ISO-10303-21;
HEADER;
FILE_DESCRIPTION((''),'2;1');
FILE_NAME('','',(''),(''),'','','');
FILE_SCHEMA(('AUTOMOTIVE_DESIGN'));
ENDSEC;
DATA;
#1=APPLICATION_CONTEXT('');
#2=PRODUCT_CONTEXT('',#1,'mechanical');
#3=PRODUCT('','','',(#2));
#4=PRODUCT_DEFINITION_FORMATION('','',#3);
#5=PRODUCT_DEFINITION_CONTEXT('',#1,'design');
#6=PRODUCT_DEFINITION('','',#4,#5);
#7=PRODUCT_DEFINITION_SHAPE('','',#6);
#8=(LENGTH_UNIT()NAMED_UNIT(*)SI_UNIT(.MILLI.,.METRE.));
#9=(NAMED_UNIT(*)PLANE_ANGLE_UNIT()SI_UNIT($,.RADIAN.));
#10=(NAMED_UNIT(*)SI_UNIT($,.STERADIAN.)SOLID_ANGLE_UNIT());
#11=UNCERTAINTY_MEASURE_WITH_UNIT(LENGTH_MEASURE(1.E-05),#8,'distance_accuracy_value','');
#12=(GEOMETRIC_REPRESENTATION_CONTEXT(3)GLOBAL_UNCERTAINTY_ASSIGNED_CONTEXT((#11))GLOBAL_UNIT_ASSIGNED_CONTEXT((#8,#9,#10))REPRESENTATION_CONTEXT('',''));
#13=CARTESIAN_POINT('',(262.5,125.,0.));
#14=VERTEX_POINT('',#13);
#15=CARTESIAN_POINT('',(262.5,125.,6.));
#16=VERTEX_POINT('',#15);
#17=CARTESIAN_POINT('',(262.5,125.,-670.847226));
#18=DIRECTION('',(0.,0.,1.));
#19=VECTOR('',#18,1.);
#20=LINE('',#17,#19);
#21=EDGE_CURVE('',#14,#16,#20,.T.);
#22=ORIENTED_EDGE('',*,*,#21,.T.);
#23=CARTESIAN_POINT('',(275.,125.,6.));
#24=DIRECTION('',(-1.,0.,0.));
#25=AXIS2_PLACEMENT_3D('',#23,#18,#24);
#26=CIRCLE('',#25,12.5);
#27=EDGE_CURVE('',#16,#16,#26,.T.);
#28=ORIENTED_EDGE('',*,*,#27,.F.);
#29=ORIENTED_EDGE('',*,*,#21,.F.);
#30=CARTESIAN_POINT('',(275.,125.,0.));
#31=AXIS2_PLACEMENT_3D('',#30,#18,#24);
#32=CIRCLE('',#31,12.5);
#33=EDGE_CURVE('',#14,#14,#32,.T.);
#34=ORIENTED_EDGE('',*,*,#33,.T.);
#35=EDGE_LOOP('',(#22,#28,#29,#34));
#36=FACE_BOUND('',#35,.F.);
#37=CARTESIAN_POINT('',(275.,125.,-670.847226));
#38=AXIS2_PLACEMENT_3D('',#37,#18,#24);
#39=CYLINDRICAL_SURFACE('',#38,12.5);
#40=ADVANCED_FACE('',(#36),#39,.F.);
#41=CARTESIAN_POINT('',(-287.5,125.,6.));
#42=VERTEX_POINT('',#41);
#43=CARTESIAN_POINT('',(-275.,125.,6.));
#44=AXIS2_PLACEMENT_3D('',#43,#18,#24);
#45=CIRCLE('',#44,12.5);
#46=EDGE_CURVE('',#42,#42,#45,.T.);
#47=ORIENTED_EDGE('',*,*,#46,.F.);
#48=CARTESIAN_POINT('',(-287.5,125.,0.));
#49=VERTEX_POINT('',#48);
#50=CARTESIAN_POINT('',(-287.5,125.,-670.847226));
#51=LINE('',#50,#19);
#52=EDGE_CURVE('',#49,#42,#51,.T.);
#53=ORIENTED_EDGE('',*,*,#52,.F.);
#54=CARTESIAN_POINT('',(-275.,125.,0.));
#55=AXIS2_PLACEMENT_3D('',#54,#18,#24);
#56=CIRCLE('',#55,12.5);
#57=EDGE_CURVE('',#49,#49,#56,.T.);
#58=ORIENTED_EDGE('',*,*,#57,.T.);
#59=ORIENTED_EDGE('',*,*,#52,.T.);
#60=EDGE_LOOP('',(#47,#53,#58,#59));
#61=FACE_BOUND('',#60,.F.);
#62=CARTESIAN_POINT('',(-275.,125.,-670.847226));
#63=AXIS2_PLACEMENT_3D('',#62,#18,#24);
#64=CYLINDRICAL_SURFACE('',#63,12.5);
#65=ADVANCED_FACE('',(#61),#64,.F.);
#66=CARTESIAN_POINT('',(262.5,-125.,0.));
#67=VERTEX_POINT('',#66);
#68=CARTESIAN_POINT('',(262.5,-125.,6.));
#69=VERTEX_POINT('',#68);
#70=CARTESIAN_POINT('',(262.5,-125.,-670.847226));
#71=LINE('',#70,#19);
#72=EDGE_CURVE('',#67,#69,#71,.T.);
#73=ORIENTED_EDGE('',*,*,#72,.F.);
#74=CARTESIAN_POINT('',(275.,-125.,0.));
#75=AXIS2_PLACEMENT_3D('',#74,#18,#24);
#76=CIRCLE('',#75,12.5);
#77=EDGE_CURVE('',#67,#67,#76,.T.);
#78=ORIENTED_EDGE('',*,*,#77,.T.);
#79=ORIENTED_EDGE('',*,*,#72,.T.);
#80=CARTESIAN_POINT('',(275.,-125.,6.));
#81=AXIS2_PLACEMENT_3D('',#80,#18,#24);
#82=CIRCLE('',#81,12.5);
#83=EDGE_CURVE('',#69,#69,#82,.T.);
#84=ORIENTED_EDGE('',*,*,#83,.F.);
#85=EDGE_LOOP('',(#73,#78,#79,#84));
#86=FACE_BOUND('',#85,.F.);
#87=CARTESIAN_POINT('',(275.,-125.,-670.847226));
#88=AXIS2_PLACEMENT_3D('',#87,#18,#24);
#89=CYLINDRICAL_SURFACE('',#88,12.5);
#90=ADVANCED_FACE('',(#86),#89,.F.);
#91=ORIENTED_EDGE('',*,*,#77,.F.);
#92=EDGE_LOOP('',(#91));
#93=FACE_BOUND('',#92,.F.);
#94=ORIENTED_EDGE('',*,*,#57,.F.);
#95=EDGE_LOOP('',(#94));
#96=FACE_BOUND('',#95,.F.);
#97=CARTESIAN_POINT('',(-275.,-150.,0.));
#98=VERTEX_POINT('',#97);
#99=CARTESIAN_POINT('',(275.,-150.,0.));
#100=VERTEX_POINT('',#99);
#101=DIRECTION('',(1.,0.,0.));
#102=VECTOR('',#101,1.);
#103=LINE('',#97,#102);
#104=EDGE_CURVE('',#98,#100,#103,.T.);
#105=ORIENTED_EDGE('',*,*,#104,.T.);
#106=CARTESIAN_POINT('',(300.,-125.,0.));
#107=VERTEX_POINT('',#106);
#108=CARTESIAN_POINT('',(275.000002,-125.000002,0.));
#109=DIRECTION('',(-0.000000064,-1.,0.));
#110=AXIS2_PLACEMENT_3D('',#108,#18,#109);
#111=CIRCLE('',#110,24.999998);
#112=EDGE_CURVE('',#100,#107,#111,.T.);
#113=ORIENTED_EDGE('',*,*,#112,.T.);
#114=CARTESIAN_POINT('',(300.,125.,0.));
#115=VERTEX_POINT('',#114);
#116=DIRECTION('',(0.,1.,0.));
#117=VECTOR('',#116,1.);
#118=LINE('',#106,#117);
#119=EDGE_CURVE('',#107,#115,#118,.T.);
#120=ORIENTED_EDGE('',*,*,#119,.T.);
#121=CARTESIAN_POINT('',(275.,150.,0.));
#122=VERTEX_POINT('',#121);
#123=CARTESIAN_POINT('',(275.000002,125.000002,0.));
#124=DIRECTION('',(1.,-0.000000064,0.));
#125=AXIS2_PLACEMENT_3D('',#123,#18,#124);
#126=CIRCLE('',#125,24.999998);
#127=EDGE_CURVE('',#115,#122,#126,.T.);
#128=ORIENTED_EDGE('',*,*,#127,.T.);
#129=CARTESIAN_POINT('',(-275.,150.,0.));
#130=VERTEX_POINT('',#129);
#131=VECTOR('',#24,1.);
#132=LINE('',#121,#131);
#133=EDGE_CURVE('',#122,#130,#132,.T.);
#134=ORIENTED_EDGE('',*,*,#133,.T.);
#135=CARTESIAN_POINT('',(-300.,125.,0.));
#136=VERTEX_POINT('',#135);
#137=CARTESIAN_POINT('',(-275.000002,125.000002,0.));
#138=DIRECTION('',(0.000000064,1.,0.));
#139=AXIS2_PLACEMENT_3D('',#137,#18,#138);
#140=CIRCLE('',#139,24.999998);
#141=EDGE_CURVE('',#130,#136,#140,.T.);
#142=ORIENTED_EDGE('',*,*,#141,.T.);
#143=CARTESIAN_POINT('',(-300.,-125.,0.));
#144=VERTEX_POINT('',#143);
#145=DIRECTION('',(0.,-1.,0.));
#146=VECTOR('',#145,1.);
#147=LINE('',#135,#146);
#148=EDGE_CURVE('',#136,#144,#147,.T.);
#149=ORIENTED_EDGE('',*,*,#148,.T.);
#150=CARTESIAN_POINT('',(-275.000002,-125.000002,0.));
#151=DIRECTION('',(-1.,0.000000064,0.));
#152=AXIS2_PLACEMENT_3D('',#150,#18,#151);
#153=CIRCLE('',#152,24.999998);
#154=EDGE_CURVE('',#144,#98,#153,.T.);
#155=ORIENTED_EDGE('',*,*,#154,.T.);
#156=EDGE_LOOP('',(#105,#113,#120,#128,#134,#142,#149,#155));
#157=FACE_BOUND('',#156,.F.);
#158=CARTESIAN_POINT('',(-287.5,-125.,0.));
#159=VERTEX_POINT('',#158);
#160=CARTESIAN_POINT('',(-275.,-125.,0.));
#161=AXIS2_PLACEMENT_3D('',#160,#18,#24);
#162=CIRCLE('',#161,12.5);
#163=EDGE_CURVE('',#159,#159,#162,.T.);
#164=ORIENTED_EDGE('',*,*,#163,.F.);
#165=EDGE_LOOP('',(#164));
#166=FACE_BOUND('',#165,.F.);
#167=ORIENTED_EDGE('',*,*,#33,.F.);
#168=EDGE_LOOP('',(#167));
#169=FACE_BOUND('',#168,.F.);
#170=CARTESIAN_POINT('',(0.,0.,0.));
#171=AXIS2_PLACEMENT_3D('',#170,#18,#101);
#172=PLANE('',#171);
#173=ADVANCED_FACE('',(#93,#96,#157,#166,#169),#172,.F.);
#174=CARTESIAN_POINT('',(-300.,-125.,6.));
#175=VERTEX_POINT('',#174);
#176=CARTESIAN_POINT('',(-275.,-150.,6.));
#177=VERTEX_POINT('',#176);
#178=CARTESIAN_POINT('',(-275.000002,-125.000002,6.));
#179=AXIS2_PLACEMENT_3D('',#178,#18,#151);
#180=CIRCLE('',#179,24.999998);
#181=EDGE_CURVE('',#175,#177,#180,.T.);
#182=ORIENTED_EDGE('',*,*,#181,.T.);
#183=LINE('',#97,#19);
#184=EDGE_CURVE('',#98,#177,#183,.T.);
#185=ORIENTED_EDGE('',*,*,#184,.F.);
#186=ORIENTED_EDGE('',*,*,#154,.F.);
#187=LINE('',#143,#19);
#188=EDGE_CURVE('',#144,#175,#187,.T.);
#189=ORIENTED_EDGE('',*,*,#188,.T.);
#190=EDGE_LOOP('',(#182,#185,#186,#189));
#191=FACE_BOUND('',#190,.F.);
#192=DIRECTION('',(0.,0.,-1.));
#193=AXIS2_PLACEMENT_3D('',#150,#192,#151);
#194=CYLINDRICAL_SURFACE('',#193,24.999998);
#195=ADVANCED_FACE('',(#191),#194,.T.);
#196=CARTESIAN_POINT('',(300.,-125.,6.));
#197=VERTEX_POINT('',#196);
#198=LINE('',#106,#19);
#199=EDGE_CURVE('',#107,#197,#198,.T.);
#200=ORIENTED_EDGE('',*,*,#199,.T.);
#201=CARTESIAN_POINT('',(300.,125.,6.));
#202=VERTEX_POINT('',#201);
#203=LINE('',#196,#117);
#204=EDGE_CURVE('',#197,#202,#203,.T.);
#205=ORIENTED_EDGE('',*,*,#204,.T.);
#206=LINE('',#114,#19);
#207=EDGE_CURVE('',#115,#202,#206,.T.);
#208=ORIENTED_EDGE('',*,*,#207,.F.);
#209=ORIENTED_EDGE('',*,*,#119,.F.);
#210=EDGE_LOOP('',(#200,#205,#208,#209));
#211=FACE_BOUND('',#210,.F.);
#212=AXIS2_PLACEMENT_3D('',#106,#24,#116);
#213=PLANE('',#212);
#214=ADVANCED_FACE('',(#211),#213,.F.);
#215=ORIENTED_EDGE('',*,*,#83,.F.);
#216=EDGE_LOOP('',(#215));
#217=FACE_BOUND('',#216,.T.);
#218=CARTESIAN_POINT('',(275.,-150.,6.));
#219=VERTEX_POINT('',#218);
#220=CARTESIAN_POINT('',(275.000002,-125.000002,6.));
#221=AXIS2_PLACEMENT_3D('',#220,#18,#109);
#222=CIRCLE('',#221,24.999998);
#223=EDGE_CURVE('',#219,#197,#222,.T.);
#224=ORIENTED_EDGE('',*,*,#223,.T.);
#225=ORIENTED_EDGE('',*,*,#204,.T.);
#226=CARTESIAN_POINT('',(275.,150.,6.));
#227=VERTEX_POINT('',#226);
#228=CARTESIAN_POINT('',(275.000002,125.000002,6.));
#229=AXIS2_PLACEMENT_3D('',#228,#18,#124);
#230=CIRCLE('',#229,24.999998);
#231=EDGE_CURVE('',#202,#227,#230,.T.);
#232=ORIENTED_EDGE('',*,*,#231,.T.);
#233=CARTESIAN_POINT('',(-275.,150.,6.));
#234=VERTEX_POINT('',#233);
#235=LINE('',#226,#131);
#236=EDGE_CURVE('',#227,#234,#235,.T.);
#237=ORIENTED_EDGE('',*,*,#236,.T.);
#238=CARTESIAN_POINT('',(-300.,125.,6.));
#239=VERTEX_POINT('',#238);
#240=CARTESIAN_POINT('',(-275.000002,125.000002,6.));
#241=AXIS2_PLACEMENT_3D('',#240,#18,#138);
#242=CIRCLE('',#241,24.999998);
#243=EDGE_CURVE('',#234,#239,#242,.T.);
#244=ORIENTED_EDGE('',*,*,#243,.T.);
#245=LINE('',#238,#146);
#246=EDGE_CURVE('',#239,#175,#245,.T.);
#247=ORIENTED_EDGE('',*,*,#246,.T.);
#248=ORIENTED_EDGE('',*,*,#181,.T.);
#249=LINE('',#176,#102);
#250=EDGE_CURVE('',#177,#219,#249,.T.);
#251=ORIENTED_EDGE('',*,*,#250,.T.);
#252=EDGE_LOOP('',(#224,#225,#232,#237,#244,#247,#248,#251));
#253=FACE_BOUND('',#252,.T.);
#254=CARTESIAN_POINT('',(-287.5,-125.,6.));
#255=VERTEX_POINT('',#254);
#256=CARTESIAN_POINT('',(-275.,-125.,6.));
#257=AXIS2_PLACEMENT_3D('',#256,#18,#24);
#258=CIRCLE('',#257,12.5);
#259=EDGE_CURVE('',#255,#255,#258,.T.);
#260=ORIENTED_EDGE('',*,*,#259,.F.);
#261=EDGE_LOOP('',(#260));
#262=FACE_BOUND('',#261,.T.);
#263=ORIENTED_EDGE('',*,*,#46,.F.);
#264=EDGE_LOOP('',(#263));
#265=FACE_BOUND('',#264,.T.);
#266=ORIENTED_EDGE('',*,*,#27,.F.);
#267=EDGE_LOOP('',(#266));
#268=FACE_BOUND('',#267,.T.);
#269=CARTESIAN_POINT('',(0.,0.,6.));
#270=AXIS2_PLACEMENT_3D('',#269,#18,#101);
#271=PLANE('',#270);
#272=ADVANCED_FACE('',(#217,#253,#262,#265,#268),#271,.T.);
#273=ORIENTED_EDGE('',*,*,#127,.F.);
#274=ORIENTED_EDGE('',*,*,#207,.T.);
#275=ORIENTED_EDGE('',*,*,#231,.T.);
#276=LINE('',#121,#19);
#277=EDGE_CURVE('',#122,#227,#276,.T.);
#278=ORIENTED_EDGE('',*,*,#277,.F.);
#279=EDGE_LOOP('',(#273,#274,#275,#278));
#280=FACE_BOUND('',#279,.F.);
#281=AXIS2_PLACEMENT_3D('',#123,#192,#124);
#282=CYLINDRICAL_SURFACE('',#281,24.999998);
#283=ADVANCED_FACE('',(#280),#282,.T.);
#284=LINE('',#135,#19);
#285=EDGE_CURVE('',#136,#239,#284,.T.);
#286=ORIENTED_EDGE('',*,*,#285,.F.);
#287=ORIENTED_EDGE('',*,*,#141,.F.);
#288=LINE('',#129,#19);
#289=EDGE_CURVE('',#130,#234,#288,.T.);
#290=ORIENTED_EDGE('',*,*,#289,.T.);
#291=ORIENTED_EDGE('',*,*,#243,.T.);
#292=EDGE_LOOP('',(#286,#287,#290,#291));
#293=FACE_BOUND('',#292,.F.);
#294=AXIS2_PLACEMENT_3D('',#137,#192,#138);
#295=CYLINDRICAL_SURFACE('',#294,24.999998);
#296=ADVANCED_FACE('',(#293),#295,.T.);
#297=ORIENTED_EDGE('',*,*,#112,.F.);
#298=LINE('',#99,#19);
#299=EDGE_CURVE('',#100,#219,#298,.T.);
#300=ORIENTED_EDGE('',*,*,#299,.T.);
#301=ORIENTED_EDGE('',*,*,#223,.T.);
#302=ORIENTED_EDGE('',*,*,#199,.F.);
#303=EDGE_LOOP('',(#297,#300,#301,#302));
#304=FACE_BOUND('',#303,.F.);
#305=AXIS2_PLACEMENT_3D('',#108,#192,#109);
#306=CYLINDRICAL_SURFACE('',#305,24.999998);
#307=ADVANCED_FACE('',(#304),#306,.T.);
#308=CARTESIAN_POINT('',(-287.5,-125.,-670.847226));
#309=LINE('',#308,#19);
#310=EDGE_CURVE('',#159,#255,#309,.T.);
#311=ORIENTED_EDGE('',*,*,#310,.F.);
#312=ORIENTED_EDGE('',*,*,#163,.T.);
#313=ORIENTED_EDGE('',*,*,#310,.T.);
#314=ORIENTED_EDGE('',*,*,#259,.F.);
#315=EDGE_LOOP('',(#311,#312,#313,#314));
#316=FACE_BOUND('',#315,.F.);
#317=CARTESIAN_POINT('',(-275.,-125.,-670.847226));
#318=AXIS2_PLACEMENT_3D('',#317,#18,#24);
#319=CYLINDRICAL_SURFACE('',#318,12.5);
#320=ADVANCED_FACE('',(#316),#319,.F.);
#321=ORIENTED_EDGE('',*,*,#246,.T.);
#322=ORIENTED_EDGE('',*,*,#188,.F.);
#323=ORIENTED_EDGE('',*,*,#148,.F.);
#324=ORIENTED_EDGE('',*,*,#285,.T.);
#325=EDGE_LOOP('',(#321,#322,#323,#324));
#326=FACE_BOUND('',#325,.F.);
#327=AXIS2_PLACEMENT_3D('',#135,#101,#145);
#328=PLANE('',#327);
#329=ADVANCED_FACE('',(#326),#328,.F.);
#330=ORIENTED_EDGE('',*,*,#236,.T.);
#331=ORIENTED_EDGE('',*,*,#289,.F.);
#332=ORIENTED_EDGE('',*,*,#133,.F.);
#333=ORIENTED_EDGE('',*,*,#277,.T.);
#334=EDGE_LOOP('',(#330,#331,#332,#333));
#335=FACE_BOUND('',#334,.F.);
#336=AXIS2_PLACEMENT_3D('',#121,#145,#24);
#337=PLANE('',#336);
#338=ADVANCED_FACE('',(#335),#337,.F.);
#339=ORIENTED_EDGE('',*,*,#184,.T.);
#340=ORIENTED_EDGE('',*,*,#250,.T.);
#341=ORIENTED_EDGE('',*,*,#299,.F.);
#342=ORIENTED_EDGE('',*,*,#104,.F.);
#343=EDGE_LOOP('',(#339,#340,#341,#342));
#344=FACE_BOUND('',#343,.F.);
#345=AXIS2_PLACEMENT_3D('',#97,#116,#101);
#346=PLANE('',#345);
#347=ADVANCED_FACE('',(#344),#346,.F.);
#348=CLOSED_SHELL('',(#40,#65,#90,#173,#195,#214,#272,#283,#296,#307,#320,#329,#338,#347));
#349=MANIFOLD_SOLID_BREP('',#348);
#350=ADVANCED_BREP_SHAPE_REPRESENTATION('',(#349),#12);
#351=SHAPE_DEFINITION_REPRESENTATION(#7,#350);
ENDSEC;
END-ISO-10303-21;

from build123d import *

# Parameters (mm, degrees)
F1_DEPTH = 6
F2_D     = 25
F3_D     = 25
F4_D     = 25


with BuildPart() as f1:
    # F0 (on Top) → F1 (new body)
    with BuildSketch(Plane.XY):
        with BuildLine():
            Line((-275, -150), (275, -150))
            ThreePointArc((275, -150), (292.67767, -142.67767), (300, -125))
            Line((300, -125), (300, 125))
            ThreePointArc((300, 125), (292.67767, 142.67767), (275, 150))
            Line((275, 150), (-275, 150))
            ThreePointArc((-275, 150), (-292.67767, 142.67767), (-300, 125))
            Line((-300, 125), (-300, -125))
            ThreePointArc((-300, -125), (-292.67767, -142.67767), (-275, -150))
        make_face()
    extrude(amount=F1_DEPTH)

    # F2 (through all)
    with Locations(Plane(origin=(0, 0, 0), x_dir=(1, 0, 0), z_dir=(0, 0, -1))):
        with Locations((-275, -125)):
            Hole(F2_D / 2)

    # F3 (through all)
    with Locations(Plane(origin=(0, 0, 0), x_dir=(1, 0, 0), z_dir=(0, 0, -1))):
        with Locations((-275, 125), (275, -125)):
            Hole(F3_D / 2)

    # F4 (through all)
    with Locations(Plane(origin=(0, 0, 0), x_dir=(1, 0, 0), z_dir=(0, 0, -1))):
        with Locations((275, 125)):
            Hole(F4_D / 2)


solid = f1.part
